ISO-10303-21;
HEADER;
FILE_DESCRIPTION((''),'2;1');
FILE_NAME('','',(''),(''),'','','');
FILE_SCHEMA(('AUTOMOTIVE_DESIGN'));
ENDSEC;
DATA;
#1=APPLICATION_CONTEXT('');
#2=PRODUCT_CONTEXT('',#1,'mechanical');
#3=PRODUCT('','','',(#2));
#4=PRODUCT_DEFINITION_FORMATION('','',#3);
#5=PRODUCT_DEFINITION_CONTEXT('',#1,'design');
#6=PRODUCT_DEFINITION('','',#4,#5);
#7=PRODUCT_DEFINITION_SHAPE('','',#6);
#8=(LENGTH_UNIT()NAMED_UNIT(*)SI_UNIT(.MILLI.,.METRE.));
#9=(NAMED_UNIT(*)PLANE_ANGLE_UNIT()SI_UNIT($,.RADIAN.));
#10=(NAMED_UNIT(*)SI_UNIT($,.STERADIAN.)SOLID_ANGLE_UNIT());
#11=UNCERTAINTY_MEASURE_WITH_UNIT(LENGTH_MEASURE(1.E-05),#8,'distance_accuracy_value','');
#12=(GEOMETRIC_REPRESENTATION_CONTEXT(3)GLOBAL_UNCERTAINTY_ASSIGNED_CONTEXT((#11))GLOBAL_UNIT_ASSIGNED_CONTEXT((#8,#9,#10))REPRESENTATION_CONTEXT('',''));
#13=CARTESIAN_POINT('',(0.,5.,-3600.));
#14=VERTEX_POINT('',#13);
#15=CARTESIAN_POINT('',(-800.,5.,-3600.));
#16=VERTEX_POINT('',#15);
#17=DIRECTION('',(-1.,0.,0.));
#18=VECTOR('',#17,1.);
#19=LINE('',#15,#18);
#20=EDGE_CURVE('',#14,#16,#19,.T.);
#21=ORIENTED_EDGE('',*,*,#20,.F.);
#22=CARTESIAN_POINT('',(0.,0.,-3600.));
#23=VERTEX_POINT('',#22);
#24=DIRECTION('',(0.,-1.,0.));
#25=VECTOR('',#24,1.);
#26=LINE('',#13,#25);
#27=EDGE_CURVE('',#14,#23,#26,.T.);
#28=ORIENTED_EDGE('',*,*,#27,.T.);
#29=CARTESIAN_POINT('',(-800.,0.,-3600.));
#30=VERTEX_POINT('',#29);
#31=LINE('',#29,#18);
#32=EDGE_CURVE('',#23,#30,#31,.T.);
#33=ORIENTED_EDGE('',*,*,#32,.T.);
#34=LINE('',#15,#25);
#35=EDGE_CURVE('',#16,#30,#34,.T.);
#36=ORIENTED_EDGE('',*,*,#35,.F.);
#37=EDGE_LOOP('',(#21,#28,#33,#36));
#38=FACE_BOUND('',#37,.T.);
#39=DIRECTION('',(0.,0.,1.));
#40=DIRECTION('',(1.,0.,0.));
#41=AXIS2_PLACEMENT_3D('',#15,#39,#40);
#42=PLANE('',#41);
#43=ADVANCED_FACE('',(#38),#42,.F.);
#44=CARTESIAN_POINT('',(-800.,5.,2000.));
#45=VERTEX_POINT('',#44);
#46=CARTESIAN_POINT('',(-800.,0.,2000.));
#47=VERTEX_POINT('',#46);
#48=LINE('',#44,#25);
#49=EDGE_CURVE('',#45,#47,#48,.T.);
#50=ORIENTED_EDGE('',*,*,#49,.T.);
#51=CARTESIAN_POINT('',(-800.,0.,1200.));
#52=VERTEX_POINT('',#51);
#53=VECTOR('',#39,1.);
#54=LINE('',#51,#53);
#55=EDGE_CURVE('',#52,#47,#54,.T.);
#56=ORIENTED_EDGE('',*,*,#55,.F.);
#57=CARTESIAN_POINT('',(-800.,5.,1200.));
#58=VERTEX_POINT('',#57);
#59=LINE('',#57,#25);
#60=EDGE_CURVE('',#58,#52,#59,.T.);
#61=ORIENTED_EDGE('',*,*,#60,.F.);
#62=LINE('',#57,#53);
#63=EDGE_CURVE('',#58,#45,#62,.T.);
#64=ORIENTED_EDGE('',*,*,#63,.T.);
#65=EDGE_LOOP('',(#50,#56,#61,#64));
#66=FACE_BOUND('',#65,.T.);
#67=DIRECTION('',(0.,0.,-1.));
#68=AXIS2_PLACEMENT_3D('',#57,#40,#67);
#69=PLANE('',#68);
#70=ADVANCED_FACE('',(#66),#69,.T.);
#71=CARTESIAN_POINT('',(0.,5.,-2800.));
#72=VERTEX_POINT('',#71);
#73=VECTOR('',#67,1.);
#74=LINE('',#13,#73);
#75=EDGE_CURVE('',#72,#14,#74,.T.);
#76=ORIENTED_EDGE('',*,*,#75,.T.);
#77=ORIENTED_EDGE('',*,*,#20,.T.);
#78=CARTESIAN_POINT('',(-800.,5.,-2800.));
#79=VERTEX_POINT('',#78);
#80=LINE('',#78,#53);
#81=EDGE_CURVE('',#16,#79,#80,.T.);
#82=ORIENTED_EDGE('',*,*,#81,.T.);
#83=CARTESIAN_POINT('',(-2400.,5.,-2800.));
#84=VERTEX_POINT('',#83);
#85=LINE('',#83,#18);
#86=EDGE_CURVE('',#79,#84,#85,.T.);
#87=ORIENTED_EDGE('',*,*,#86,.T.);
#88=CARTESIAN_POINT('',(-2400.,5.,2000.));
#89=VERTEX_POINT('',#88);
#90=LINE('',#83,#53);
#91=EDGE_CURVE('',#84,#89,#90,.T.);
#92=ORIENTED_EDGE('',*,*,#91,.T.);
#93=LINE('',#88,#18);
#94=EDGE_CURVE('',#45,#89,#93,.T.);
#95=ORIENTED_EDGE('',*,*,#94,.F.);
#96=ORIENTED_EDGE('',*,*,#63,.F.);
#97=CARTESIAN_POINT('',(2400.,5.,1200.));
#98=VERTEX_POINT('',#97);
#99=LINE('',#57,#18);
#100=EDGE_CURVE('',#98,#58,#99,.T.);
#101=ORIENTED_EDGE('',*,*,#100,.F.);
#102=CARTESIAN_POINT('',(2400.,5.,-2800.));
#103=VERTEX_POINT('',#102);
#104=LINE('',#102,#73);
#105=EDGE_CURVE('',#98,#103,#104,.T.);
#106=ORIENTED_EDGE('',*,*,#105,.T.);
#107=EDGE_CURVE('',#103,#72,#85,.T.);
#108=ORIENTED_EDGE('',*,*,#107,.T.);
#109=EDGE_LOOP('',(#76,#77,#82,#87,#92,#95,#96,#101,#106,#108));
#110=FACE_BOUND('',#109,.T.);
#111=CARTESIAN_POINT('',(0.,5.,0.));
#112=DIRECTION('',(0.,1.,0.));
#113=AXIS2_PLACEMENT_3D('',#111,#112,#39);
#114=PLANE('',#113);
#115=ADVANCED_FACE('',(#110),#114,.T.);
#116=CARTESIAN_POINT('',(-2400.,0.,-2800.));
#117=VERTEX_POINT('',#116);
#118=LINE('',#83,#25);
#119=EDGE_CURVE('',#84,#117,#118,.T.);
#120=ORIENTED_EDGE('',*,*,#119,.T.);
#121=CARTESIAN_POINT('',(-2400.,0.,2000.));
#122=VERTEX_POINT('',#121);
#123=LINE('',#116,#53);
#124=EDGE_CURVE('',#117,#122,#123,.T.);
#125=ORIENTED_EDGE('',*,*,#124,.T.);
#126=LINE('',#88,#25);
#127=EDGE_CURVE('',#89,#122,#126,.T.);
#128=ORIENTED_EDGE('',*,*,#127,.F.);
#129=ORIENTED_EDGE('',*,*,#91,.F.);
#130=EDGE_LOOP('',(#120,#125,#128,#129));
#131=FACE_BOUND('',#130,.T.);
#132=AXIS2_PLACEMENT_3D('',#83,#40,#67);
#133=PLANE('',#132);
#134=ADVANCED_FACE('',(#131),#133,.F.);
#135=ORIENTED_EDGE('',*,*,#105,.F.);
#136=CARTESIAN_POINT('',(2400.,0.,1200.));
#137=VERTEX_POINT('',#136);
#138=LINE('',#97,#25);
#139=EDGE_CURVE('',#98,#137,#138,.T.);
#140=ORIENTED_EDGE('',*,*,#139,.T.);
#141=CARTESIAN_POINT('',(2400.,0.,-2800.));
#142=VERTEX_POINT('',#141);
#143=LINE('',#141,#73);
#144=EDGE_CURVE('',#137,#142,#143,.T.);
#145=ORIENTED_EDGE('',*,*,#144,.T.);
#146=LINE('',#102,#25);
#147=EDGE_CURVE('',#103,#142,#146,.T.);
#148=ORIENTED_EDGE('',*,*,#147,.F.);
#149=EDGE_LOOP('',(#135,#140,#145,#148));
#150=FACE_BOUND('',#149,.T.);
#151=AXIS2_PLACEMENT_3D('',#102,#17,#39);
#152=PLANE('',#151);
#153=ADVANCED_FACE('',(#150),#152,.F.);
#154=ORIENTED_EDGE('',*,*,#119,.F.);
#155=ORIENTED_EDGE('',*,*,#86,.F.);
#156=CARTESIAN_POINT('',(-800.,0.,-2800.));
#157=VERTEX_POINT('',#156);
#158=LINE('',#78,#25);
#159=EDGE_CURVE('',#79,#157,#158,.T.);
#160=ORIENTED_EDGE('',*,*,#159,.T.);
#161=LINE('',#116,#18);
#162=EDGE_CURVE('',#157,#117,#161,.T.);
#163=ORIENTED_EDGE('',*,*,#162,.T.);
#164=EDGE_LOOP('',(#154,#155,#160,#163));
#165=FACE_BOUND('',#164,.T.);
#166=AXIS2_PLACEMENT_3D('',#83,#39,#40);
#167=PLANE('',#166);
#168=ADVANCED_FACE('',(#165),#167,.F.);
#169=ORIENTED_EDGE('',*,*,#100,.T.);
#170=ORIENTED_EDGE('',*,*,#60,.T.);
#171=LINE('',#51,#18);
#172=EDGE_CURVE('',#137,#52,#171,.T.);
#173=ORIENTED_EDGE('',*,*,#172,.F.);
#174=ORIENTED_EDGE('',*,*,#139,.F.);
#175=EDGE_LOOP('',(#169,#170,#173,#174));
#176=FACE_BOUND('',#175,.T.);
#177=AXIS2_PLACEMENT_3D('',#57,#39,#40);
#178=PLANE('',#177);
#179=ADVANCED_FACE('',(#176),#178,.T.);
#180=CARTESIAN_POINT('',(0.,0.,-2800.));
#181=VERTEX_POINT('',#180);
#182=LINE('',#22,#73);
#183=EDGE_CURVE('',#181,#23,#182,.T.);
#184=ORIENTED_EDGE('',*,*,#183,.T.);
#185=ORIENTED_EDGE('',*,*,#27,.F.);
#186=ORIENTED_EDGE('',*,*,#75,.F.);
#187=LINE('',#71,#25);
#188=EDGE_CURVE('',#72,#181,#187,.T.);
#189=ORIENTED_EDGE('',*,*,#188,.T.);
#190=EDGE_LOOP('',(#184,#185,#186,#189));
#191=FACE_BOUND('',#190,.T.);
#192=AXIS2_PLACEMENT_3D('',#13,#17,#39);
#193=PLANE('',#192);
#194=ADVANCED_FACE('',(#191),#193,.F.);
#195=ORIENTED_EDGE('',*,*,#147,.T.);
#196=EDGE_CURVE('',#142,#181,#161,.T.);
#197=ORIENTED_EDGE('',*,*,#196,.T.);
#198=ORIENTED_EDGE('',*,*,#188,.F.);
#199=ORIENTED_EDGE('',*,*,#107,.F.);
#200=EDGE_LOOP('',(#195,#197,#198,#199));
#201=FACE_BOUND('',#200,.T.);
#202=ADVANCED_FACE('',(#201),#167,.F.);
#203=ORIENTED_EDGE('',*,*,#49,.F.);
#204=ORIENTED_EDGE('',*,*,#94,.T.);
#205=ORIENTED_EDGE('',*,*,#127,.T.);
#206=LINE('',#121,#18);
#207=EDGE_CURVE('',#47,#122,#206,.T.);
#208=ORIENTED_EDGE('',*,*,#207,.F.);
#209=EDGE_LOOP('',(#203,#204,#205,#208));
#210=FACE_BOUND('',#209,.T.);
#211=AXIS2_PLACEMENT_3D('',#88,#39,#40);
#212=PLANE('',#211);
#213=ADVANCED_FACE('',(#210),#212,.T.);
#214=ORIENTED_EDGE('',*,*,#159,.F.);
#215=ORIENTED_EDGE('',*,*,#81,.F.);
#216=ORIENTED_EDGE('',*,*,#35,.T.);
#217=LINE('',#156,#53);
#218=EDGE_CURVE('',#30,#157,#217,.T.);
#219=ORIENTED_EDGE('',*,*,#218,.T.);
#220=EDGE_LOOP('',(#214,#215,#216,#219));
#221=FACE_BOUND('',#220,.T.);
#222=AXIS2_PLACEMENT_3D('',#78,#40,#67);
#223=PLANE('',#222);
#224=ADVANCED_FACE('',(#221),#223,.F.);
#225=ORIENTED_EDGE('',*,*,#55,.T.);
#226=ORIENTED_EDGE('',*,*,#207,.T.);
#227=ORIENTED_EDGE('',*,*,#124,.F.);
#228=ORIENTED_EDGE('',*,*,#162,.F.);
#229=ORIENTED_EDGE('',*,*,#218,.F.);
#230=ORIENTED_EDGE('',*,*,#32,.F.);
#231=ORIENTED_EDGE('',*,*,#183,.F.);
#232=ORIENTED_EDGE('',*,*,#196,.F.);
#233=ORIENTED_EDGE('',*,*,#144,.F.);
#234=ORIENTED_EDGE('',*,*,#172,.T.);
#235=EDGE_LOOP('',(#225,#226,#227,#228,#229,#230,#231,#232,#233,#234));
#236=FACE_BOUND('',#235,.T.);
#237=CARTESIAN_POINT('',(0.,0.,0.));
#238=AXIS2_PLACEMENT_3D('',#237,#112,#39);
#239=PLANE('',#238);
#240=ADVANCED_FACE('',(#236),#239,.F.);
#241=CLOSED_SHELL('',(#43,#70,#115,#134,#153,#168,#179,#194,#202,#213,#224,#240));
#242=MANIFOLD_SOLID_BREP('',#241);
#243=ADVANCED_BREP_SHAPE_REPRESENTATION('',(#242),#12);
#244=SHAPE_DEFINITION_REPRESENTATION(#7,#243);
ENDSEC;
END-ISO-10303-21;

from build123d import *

# Parameters (mm, degrees)
SKETCH_1_W          = 4800
SKETCH_1_H          = 5600
EXTRUDE_1_DEPTH     = 5
CUT_EXTRUDE_2_DEPTH = 5
SKETCH_3_W          = 800
SKETCH_3_H          = 800
EXTRUDE_2_DEPTH     = 5


with BuildPart() as part:
    # 草图1 → 凸台-拉伸1 (new body)
    with BuildSketch(Plane(origin=(0, 0, 0), x_dir=(1, 0, 0), z_dir=(0, 1, 0))):
        Rectangle(SKETCH_1_W, SKETCH_1_H)
    extrude(amount=EXTRUDE_1_DEPTH)

    # 草图2 → 切除-拉伸2 (cut)
    with BuildSketch(Plane(origin=(0, 0, 0), x_dir=(1, 0, 0), z_dir=(0, 1, 0))):
        Polygon((-800, -2800), (2400, -2800), (2400, -1200), (-800, -1200), (-800, -2000), (-2400, -2000), (-2400, -2800), align=None)
    extrude(amount=CUT_EXTRUDE_2_DEPTH, mode=Mode.SUBTRACT)

    # 草图3 → 凸台-拉伸2 (add)
    with BuildSketch(Plane(origin=(0, 0, 0), x_dir=(1, 0, 0), z_dir=(0, 1, 0))):
        with Locations((-400, 3200)):
            Rectangle(SKETCH_3_W, SKETCH_3_H)
    extrude(amount=EXTRUDE_2_DEPTH)


solid = part.part
